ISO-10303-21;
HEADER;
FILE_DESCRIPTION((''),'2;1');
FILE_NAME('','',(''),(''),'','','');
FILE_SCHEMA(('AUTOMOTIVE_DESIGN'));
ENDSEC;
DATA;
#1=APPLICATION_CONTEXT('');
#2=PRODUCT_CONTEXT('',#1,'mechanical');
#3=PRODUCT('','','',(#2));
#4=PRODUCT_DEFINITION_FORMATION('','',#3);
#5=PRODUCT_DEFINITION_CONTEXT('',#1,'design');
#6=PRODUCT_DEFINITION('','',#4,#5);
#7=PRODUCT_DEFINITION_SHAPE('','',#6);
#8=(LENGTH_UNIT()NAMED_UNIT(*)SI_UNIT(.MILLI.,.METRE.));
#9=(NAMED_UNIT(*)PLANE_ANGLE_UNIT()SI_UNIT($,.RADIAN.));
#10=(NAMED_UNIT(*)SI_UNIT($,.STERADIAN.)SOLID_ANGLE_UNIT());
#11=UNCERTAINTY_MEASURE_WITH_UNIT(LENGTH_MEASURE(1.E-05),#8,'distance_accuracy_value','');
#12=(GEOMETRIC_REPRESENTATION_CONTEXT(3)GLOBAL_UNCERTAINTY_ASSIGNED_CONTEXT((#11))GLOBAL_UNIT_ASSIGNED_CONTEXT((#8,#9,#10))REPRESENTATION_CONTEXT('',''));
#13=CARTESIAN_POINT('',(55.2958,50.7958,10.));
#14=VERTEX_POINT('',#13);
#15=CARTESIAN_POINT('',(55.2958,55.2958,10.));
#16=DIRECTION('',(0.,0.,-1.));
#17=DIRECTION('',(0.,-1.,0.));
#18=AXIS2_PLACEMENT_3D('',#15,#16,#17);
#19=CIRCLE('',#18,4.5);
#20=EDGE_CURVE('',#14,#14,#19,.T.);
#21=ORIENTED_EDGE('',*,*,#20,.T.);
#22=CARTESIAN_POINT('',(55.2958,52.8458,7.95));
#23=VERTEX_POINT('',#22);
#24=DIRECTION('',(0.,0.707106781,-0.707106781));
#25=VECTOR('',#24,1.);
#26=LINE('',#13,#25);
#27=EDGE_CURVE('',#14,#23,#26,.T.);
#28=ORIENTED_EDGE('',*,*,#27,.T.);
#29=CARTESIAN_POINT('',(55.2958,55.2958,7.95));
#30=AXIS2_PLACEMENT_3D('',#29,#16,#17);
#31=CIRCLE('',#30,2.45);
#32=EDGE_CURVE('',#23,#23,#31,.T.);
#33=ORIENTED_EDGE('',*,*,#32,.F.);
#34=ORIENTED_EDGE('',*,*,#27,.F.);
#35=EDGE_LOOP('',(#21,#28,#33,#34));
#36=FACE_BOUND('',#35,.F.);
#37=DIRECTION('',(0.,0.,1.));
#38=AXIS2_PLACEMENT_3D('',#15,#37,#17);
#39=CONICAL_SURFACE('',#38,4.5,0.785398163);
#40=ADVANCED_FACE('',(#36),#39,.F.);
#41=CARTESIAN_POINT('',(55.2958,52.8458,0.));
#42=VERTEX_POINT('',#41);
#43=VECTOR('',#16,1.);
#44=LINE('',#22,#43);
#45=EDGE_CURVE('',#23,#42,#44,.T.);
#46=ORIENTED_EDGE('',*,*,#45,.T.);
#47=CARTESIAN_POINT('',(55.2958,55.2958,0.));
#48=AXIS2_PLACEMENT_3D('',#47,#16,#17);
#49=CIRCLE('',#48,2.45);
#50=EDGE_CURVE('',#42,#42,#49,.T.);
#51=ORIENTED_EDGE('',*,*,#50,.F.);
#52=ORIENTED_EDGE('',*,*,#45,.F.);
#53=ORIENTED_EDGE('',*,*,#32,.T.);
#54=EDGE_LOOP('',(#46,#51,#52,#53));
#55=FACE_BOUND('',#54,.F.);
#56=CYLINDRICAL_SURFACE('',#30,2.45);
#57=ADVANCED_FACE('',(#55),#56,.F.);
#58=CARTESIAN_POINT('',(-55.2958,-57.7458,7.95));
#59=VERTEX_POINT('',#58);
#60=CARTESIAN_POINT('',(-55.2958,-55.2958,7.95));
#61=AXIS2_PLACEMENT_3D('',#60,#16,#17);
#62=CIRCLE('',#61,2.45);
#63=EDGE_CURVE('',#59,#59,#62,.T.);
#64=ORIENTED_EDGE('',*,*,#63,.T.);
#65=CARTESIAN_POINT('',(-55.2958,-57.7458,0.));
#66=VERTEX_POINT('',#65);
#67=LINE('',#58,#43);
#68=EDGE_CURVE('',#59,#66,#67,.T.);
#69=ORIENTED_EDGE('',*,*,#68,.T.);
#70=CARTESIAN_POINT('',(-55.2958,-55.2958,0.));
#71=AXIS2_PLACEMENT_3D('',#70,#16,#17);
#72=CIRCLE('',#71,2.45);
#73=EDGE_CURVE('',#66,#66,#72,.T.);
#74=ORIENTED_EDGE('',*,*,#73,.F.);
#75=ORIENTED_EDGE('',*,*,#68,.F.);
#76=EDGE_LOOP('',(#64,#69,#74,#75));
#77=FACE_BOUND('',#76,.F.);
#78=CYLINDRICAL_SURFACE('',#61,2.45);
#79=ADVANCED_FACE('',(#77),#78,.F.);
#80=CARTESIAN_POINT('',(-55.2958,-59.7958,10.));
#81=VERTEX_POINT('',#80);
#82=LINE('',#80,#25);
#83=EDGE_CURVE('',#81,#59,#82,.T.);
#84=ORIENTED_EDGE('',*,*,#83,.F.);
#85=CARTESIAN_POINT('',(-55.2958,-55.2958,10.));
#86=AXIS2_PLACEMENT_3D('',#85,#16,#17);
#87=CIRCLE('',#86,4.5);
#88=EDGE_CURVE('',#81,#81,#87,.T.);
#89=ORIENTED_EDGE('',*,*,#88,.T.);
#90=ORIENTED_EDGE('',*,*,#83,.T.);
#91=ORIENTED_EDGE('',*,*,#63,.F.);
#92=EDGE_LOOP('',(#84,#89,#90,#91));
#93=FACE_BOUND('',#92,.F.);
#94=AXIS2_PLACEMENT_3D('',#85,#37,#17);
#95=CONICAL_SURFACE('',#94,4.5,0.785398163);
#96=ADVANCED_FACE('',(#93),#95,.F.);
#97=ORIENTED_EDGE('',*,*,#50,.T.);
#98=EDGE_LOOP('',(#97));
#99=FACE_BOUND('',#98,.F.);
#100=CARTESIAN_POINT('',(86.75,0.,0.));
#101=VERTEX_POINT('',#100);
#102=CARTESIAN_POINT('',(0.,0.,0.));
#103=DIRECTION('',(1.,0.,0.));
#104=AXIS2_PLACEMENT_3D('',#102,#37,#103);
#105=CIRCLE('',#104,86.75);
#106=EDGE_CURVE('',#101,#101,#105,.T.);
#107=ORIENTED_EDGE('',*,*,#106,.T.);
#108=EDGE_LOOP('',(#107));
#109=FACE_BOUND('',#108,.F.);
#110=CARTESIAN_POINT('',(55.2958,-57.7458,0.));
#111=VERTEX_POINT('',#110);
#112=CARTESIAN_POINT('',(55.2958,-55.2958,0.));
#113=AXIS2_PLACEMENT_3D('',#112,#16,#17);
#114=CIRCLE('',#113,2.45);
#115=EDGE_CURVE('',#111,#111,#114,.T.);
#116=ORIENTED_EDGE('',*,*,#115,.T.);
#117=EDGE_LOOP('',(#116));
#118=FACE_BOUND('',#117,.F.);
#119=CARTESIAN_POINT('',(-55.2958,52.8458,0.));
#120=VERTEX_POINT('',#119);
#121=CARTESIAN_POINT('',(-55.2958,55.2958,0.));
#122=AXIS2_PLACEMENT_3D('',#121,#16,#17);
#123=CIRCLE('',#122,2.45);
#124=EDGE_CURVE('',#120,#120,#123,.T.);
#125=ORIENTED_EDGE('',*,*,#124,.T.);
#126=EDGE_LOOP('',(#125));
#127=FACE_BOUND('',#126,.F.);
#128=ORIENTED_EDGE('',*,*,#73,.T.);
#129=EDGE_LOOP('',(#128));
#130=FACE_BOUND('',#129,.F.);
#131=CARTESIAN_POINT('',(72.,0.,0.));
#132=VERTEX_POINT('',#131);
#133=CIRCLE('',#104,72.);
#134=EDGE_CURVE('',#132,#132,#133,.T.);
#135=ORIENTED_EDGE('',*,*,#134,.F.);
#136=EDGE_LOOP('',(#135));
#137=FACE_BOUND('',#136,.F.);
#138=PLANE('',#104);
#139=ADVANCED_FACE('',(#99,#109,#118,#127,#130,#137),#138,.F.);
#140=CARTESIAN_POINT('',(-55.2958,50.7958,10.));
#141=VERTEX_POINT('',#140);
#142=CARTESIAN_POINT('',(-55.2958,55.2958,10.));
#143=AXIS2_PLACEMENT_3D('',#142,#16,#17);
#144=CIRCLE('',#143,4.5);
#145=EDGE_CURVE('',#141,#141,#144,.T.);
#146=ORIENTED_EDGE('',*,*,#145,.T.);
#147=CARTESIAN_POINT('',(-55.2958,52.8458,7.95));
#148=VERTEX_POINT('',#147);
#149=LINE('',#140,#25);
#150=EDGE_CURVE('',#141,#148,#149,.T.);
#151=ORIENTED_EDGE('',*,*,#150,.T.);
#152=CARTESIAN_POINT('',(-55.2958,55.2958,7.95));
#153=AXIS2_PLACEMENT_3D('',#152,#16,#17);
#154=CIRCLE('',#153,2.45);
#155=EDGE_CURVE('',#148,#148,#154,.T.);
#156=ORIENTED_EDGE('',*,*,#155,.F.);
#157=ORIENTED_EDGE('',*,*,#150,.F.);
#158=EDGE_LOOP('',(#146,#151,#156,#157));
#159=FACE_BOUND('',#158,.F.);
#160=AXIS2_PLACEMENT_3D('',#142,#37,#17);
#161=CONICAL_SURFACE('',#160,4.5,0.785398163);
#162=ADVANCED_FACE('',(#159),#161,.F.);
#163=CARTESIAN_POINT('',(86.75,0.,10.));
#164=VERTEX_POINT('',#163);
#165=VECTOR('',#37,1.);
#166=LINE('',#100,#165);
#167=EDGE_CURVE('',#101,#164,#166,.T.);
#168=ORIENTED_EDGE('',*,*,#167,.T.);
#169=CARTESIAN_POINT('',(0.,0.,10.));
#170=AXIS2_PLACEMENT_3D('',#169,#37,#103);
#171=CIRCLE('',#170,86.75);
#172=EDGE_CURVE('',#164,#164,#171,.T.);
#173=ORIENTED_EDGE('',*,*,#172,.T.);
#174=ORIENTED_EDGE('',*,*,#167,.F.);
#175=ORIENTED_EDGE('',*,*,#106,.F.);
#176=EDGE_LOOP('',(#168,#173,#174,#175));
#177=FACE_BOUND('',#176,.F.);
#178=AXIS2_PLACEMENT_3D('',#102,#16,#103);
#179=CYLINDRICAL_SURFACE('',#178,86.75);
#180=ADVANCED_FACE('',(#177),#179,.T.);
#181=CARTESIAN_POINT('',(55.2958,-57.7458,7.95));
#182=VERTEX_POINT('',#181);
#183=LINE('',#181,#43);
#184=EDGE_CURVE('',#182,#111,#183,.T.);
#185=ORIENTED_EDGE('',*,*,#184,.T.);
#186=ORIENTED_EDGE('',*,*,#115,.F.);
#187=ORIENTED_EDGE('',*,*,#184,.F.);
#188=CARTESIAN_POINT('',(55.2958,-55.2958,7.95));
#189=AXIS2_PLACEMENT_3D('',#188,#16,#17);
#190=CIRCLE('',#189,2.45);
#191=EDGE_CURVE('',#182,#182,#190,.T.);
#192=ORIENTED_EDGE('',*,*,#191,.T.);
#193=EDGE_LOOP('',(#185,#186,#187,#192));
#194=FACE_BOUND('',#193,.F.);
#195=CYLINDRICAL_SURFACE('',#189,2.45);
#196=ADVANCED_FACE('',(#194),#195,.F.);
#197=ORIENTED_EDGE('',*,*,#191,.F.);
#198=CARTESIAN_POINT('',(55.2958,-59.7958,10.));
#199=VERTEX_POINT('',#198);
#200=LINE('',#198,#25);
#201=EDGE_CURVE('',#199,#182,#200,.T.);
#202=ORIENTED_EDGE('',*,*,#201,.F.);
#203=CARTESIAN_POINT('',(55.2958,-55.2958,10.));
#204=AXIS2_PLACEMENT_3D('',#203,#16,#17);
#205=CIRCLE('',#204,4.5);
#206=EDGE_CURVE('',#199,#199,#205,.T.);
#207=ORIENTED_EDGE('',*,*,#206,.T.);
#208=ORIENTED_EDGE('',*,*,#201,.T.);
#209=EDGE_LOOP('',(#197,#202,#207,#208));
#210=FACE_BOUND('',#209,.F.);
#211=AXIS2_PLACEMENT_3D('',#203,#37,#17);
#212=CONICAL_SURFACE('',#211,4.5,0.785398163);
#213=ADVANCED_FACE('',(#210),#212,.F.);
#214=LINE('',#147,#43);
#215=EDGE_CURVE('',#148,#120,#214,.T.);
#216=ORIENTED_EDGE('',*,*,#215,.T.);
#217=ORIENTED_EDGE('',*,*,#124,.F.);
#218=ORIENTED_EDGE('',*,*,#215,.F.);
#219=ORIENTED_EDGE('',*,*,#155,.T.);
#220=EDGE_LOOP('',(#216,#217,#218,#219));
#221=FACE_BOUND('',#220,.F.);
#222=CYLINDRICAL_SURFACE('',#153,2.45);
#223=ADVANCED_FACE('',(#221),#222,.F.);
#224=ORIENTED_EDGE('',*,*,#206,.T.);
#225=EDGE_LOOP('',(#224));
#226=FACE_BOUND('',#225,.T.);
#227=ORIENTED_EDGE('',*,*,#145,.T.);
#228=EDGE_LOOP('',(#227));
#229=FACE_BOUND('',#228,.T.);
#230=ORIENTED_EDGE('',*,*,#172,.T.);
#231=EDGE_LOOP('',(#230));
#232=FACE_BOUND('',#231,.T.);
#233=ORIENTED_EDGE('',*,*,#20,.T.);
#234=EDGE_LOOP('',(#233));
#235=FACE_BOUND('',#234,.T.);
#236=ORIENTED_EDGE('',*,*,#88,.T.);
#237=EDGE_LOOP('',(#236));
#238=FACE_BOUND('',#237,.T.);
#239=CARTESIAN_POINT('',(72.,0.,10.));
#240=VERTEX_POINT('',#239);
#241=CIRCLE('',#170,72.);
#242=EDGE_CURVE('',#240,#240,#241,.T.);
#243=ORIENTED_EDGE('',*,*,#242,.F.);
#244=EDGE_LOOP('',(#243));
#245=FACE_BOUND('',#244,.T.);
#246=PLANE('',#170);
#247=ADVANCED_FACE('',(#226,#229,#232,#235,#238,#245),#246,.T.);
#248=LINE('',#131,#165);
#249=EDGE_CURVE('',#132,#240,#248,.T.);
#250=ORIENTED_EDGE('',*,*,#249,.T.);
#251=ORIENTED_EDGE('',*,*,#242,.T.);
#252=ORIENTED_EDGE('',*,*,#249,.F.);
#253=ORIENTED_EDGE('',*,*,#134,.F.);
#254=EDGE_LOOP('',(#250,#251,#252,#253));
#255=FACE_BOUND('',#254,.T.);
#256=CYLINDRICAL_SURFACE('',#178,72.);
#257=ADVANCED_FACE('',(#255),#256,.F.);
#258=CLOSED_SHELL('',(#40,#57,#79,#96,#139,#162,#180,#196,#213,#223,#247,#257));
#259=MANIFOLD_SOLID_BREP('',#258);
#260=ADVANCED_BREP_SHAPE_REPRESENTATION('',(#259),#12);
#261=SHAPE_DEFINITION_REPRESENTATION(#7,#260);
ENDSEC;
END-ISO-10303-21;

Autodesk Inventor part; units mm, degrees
ref_plane "YZ Plane" through (0, 0, 0) normal (1, 0, 0) x (0, 1, 0)
ref_plane "XZ Plane" through (0, 0, 0) normal (0, 1, 0) x (-1, 0, 0)
ref_plane "XY Plane" through (0, 0, 0) normal (0, 0, 1) x (1, 0, 0)
sketch "Skizze1" plane through (0, 0, 0) normal (0, 0, 1) x (1, 0, 0)
  circle A0 centre (0, 0) radius 72
  circle A1 centre (0, 0) radius 101.5
  circle A2 centre (0, 0) radius 86.75
  dimension "d0" = 144
  dimension "d1" = 203
  dimension "d2" = 29.5
  dimension "d3" = 14.75
extrude "Extrusion1" add sketch "Skizze1" along normal blind 10 contours A2
sketch "Skizze2" plane through (0, 0, 10) normal (0, 0, 1) x (1, 0, 0)
  line L0 (-55.2958, -55.2958) -> (55.2958, -55.2958)
  line L1 (55.2958, -55.2958) -> (55.2958, 55.2958)
  line L2 (55.2958, 55.2958) -> (-55.2958, 55.2958)
  line L3 (-55.2958, 55.2958) -> (-55.2958, -55.2958)
  line L4 (-55.2958, -55.2958) -> (55.2958, 55.2958) construction
  line L5 (55.2958, -55.2958) -> (-55.2958, 55.2958) construction
  circle A0 centre (0, 0) radius 78.2 construction
  circle A1 centre (0, 0) radius 72 construction
  circle A2 centre (0, 0) radius 86.75 construction
  dimension "d15" = 156.4
hole "Bohrung1" at (-55.2958, 55.2958, 10) at (55.2958, 55.2958, 10) at (55.2958, -55.2958, 10) at (-55.2958, -55.2958, 10) direction (0, 0, -1) diameter 4.9 end through all countersink diameter 9 countersink angle 90
equation "\"d3\" = 0.5 * d2"
properties part number "Drehkranz" material "ABS-Kunststoff"
